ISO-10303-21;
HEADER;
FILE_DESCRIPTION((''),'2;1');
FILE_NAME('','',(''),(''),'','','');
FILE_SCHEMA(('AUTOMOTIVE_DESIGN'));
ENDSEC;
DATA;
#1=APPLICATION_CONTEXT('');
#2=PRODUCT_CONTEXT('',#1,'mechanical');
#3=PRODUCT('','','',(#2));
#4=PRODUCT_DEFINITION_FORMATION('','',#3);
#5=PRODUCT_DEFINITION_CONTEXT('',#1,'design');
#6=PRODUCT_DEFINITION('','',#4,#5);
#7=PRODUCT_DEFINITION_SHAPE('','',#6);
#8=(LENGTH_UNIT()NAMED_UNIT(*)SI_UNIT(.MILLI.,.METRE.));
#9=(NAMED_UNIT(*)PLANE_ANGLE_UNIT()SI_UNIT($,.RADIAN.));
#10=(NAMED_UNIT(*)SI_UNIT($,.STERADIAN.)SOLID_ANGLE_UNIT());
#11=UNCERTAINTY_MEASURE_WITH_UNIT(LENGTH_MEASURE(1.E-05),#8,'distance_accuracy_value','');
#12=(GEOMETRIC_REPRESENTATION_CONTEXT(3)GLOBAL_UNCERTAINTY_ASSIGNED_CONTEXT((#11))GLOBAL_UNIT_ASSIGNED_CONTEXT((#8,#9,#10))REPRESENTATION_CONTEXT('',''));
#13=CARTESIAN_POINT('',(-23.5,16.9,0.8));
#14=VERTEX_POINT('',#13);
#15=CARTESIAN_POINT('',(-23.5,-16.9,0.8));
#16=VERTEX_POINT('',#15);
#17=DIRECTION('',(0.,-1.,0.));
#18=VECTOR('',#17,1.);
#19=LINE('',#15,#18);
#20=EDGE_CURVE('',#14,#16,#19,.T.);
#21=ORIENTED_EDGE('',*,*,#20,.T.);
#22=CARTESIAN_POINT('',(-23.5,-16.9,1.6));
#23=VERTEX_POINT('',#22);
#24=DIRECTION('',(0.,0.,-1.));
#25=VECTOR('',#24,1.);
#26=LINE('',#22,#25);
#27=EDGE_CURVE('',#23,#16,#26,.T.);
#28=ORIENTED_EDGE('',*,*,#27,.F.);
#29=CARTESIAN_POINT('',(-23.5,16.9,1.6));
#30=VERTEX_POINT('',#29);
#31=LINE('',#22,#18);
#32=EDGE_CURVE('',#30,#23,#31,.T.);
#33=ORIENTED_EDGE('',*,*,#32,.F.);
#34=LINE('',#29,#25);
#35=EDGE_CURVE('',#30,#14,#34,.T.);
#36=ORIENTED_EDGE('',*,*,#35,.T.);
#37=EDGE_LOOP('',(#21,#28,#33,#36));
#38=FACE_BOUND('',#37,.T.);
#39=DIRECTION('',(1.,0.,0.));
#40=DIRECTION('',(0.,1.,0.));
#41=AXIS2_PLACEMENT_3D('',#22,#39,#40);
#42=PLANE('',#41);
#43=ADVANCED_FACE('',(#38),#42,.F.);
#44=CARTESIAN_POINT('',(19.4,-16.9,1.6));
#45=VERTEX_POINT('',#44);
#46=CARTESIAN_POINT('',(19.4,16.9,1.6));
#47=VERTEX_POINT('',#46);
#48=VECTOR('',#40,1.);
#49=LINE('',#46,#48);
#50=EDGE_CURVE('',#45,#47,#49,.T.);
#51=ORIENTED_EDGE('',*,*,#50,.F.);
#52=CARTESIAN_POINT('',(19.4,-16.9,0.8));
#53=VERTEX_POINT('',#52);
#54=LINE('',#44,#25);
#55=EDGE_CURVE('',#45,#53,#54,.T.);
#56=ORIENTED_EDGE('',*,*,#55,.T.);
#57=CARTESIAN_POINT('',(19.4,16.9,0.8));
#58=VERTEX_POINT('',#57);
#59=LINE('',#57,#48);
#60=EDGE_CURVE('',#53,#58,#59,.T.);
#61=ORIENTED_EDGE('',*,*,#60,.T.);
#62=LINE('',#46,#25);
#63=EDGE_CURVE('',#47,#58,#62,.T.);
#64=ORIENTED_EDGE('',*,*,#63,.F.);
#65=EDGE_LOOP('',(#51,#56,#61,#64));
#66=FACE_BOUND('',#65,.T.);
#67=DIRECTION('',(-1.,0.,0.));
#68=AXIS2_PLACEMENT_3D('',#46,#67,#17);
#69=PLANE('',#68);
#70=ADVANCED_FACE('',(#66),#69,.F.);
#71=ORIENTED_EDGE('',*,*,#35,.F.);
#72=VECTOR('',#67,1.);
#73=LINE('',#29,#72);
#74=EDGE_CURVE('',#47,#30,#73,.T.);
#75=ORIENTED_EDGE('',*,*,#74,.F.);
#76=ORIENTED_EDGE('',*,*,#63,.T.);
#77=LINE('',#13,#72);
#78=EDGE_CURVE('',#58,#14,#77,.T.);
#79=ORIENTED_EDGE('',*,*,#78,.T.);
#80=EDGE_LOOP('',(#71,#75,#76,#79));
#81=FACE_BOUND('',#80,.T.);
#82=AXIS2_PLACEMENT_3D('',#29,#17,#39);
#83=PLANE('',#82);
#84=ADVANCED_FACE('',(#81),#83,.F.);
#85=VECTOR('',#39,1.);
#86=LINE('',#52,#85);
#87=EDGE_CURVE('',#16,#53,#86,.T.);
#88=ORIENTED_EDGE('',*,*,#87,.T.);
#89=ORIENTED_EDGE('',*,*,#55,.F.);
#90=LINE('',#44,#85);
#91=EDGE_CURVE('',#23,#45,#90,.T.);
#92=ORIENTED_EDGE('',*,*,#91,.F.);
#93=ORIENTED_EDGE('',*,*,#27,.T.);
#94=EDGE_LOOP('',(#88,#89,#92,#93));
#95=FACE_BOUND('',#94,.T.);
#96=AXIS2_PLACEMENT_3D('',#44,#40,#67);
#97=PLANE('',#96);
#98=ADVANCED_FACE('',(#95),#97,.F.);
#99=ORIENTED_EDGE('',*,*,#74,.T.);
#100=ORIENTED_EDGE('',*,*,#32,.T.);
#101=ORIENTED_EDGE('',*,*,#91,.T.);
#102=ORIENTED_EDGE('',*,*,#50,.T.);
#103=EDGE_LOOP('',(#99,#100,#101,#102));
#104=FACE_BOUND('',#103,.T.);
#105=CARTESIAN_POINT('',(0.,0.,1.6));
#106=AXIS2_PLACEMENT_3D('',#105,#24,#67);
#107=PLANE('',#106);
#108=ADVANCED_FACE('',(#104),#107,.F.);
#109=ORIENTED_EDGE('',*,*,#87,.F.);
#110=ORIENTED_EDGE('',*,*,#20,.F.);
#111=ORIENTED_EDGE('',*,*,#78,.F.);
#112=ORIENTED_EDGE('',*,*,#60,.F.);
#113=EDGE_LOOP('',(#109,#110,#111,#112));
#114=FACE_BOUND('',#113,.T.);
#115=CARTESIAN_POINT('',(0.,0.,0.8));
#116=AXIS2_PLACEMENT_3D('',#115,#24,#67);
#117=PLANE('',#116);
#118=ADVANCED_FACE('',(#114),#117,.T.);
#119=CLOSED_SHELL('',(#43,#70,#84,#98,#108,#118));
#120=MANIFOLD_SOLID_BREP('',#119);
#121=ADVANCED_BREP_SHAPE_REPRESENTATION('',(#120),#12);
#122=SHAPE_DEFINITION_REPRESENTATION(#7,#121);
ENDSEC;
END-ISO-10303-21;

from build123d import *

# Parameters (mm, degrees)
EXTRUDE_START   = 0.8
SKETCH_1_W      = 42.9
SKETCH_1_H      = 33.8
EXTRUDE_1_DEPTH = 0.8


with BuildPart() as part:
    # Эскиз1 → Бобышка-Вытянуть1 (new body)
    with BuildSketch(Plane.XY.offset(EXTRUDE_START)):
        with Locations((-2.05, 0)):
            Rectangle(SKETCH_1_W, SKETCH_1_H)
    extrude(amount=EXTRUDE_1_DEPTH)


solid = part.part
